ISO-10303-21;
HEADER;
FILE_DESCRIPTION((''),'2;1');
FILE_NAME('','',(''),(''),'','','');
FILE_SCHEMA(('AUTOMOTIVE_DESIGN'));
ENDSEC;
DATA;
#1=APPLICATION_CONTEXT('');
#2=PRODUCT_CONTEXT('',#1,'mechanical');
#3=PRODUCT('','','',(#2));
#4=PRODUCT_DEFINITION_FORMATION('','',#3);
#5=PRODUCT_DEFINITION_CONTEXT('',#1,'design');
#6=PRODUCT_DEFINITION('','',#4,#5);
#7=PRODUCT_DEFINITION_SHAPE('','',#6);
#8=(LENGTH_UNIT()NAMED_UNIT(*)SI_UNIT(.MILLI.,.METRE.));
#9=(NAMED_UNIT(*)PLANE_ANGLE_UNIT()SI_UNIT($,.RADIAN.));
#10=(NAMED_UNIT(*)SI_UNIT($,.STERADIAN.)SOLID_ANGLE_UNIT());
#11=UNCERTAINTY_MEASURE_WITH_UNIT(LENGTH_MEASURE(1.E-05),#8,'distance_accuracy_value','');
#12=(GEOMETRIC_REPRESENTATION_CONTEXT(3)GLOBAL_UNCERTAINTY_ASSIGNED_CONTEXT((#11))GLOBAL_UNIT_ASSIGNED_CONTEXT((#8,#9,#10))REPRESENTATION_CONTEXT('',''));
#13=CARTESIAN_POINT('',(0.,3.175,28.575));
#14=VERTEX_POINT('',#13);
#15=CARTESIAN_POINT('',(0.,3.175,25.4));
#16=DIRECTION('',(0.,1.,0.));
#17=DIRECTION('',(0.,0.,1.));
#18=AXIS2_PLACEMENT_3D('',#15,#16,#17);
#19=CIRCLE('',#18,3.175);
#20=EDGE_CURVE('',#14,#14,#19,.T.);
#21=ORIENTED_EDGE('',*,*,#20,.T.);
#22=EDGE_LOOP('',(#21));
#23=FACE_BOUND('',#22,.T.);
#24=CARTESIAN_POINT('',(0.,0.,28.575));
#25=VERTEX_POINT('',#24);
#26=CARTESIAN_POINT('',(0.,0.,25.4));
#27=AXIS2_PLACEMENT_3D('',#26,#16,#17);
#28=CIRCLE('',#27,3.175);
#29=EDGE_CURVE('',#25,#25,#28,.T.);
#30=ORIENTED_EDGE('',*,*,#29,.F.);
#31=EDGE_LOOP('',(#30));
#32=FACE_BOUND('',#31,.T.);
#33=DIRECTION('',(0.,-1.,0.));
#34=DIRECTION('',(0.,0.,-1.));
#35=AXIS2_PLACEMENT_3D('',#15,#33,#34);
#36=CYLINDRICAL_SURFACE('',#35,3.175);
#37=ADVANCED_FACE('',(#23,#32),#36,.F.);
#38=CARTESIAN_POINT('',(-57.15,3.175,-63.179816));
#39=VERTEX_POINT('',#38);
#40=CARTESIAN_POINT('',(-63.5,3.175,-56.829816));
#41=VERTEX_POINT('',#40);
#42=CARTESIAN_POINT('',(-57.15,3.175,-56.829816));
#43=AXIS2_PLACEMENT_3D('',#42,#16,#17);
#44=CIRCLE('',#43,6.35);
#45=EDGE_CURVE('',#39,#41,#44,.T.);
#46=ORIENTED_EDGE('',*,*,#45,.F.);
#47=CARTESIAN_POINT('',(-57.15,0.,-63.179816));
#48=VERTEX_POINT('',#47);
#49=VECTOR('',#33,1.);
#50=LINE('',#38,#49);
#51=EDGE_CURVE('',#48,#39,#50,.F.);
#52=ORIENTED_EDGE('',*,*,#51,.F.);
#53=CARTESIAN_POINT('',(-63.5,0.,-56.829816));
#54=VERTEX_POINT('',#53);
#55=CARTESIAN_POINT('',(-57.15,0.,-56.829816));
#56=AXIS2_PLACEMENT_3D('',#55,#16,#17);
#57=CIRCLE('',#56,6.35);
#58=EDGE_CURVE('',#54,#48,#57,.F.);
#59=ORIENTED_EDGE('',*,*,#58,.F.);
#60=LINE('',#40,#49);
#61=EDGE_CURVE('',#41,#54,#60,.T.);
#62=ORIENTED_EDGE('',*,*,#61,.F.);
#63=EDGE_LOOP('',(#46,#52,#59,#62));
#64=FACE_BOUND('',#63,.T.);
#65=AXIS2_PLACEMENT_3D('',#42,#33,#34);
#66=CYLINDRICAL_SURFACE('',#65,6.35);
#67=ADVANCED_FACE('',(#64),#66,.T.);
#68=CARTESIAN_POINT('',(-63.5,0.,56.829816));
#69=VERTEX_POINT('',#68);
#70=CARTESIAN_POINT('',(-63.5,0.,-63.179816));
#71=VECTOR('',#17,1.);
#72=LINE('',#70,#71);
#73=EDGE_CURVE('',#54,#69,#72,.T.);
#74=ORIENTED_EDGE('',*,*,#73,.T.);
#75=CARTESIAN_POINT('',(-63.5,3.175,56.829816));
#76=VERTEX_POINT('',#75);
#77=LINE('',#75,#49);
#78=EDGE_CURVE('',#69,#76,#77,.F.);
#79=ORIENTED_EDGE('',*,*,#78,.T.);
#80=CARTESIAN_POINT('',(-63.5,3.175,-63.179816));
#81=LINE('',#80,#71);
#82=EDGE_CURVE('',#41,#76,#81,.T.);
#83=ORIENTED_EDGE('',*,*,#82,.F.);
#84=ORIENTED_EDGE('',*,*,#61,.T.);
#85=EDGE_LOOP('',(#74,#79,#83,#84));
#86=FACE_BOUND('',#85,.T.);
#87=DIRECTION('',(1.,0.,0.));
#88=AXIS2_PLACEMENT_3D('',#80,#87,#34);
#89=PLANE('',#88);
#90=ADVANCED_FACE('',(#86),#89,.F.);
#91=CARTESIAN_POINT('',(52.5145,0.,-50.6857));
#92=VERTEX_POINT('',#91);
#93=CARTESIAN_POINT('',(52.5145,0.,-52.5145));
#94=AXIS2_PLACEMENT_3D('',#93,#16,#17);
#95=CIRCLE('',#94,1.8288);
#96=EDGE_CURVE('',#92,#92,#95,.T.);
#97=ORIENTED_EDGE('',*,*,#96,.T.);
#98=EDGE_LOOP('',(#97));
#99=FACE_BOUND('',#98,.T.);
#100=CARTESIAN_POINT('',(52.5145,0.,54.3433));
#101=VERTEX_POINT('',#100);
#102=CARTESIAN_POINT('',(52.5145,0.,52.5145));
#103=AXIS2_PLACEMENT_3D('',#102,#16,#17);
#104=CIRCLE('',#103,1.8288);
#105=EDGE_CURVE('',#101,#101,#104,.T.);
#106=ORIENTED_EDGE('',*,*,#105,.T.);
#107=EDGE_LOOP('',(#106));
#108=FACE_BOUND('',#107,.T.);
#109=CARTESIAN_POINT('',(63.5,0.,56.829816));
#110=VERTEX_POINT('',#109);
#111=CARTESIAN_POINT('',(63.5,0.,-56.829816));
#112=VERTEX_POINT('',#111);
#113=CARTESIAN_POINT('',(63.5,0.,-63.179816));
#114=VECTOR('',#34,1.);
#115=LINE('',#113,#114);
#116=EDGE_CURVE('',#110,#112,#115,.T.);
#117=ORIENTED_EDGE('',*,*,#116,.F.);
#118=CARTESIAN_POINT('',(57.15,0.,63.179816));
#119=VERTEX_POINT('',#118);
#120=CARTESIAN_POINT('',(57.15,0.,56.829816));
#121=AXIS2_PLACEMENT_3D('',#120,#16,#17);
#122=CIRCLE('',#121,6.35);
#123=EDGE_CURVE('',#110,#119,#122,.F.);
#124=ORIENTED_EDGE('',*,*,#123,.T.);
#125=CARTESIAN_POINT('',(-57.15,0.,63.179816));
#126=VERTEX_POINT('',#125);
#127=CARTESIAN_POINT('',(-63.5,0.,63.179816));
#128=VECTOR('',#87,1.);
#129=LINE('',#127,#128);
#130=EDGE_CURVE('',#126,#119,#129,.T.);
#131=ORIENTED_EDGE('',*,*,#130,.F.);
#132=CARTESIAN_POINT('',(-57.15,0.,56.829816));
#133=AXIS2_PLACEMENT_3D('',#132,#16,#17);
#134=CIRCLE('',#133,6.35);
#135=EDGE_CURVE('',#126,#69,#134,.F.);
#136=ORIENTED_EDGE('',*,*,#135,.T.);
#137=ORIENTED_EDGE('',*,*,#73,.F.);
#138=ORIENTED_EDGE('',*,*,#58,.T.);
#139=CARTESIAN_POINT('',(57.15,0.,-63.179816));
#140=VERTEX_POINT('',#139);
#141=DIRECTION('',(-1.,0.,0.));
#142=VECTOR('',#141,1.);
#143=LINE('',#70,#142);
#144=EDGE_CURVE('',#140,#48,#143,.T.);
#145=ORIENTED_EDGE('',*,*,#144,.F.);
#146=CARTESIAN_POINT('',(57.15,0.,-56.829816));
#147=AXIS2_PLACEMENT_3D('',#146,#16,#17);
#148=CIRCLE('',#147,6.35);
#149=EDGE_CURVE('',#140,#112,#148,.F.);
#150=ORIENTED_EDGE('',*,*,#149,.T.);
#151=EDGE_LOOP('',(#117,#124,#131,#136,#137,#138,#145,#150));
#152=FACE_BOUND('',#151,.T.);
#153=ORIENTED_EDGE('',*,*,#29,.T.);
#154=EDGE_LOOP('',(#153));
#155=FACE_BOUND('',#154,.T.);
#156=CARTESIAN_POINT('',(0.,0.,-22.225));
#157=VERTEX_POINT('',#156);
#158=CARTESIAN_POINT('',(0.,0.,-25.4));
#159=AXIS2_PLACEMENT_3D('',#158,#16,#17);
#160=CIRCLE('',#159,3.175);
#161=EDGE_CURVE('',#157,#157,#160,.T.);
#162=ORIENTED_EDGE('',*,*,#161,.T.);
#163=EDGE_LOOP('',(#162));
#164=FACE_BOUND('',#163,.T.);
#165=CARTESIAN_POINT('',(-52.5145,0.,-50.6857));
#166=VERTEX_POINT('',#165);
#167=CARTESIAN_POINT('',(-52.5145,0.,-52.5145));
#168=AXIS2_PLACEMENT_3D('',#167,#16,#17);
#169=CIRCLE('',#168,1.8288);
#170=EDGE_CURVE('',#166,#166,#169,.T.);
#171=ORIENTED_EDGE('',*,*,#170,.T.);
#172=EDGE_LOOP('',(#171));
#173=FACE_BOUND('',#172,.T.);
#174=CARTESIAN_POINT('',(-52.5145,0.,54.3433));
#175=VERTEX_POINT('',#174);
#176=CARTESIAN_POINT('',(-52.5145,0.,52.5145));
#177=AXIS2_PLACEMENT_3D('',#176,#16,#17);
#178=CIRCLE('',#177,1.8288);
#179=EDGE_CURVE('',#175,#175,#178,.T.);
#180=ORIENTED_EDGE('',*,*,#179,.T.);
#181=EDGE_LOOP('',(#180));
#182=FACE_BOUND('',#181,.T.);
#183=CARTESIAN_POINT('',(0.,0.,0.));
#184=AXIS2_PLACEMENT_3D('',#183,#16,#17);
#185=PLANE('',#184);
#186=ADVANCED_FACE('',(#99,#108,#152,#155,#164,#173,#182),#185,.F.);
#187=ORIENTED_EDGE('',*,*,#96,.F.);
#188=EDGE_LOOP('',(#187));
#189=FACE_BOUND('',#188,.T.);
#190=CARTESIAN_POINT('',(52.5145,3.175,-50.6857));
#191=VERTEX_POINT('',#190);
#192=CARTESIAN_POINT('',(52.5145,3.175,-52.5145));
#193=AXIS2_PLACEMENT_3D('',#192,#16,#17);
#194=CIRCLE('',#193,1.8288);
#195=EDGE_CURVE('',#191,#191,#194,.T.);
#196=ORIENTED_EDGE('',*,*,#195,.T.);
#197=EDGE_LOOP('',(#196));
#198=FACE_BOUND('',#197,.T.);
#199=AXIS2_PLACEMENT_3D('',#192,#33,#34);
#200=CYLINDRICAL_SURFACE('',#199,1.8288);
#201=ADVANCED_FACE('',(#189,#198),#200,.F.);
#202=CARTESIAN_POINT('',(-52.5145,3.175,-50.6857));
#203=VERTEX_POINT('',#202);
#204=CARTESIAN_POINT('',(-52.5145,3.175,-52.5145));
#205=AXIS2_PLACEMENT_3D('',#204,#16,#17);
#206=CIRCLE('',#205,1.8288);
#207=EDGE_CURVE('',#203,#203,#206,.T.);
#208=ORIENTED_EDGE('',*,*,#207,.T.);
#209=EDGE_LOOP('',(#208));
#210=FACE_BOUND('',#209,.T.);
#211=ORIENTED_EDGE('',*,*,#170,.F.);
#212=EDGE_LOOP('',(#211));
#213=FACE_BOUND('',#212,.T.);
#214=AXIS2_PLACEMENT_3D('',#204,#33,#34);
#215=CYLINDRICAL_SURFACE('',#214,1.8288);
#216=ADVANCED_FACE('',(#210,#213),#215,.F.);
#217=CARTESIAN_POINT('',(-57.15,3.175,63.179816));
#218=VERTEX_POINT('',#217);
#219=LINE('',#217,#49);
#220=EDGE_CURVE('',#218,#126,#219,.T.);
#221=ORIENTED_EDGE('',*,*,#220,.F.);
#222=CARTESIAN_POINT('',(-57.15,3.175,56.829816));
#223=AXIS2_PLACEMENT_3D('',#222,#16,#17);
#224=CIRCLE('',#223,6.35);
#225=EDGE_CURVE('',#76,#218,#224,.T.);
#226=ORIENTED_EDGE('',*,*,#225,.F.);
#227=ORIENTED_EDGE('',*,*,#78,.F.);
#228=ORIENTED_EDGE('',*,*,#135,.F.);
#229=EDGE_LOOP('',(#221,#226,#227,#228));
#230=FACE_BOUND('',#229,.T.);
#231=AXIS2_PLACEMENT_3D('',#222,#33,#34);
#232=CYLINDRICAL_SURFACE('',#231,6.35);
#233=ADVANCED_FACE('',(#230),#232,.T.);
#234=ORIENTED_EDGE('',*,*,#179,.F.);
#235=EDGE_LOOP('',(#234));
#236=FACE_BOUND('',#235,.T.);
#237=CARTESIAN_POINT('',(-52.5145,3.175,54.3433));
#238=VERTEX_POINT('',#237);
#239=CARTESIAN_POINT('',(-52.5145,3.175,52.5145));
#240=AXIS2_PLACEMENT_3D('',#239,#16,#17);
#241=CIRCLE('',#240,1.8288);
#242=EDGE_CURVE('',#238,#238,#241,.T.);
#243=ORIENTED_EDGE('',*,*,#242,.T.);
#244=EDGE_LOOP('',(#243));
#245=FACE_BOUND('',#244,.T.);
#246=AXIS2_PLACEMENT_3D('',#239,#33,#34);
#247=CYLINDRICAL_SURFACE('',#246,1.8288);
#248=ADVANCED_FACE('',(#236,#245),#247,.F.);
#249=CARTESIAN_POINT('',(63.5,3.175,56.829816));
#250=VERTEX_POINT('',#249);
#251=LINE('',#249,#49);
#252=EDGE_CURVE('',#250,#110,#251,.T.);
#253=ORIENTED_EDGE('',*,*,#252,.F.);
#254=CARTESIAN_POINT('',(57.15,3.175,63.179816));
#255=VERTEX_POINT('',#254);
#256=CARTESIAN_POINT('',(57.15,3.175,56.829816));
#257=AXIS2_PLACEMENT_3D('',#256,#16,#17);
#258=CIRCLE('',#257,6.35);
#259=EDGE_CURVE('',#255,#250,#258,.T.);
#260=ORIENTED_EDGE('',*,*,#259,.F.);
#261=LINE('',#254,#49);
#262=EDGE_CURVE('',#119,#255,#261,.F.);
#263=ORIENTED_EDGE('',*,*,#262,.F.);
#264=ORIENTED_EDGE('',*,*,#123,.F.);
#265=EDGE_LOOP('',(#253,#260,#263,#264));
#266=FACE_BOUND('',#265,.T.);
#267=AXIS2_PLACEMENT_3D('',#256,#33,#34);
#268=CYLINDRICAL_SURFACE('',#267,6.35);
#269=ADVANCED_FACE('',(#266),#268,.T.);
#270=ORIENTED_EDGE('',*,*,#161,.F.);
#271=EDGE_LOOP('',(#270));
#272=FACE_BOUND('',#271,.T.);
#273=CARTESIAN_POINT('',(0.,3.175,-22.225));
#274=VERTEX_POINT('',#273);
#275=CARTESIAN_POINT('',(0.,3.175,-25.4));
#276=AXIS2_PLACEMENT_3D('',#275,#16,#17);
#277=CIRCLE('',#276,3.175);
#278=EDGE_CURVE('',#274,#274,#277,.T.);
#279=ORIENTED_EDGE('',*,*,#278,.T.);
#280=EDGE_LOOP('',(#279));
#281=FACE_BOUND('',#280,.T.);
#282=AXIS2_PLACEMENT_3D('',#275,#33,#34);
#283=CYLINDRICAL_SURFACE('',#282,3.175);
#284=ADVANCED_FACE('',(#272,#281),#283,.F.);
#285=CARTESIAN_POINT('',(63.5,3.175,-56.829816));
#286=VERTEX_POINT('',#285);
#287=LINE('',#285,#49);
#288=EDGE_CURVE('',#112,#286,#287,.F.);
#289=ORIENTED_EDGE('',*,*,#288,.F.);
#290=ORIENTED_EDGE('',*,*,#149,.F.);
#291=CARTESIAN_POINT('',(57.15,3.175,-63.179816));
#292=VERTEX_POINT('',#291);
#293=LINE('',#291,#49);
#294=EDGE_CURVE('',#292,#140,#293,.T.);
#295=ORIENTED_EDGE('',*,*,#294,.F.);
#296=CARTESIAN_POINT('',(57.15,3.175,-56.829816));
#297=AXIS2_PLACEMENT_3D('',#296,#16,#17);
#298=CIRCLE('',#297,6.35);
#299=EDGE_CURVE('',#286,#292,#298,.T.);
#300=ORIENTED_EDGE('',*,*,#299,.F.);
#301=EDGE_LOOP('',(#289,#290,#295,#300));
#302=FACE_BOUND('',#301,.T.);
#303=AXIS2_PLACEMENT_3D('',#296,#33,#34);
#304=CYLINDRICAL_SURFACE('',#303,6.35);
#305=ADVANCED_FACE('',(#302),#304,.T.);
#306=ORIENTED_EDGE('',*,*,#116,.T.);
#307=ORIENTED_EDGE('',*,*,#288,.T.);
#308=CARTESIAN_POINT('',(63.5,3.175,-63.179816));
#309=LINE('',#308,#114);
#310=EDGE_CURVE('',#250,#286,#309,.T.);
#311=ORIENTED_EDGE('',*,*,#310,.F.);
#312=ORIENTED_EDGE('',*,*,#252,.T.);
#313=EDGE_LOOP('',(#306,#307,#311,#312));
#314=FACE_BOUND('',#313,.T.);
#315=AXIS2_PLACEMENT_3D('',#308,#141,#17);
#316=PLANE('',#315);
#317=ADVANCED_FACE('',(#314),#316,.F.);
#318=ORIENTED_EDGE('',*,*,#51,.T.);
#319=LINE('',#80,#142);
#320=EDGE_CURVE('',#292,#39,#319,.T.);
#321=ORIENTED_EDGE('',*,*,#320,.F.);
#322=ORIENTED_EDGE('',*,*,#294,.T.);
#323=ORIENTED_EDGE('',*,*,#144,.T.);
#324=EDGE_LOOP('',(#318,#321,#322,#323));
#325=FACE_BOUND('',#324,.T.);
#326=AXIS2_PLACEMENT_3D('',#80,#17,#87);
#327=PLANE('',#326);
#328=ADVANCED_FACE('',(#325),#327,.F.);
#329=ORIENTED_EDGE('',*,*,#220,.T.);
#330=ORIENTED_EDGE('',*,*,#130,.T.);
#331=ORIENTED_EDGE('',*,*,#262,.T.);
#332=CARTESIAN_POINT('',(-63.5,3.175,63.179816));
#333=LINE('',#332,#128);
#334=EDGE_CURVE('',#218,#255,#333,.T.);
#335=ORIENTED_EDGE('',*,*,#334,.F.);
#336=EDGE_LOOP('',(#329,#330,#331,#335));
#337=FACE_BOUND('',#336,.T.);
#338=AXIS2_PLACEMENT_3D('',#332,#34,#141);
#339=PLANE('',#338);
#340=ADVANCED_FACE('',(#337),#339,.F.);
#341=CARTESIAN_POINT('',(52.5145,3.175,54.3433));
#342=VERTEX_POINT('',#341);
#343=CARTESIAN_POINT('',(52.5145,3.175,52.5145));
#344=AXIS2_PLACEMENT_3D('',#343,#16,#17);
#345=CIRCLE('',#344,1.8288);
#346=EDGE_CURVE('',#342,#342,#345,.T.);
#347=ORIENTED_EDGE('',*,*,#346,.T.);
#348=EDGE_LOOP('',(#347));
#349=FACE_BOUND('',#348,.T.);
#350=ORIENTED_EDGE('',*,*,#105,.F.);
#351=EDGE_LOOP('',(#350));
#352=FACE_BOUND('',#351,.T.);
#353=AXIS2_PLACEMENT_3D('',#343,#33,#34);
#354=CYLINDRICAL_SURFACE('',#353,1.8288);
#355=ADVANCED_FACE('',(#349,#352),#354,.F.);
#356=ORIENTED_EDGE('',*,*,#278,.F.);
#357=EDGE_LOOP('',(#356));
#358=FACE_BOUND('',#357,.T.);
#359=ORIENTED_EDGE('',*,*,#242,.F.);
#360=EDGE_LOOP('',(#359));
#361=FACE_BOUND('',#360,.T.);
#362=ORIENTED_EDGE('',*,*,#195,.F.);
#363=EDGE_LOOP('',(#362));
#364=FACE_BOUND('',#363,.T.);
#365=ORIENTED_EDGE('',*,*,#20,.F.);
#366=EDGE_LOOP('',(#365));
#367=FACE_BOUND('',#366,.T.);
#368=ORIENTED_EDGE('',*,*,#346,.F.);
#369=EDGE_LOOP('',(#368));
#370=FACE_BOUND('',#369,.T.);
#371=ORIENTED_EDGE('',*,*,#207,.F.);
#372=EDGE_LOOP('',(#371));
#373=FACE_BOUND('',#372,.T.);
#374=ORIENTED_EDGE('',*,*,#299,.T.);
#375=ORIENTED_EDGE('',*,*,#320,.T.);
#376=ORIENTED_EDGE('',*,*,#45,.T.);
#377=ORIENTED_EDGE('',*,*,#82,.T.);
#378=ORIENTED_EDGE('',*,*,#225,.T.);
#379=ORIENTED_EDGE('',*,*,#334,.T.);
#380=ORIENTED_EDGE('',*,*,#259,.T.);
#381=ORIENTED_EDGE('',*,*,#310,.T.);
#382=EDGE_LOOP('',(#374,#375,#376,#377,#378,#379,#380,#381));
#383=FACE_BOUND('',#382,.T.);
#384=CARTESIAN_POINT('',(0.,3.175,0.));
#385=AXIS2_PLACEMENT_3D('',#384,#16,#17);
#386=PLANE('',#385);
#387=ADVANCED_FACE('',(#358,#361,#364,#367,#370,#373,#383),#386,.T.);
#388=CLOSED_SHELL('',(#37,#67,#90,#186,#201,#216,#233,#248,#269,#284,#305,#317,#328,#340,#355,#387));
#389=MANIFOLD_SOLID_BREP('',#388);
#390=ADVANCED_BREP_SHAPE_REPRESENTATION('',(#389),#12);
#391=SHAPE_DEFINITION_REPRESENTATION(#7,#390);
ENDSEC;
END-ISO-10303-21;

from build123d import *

# Parameters (mm, degrees)
SKETCH1_W           = 127
SKETCH1_H           = 126.359631958
SKETCH1_R           = 1.8288
SKETCH1_R_2         = 3.175
BOSS_EXTRUDE1_DEPTH = 3.175
FILLET1_R           = 6.35


with BuildPart() as part:
    # Sketch1 → Boss-Extrude1 (new body)
    with BuildSketch(Plane(origin=(0, 0, 0), x_dir=(1, 0, 0), z_dir=(0, 1, 0))):
        Rectangle(SKETCH1_W, SKETCH1_H)
        with Locations(Location((-52.5145, 52.5145, 0), (0, 0, 270))):
            Circle(SKETCH1_R, mode=Mode.SUBTRACT)
        with Locations(Location((52.5145, 52.5145, 0), (0, 0, 270))):
            Circle(SKETCH1_R, mode=Mode.SUBTRACT)
        with Locations(Location((52.5145, -52.5145, 0), (0, 0, 270))):
            Circle(SKETCH1_R, mode=Mode.SUBTRACT)
        with Locations(Location((-52.5145, -52.5145, 0), (0, 0, 270))):
            Circle(SKETCH1_R, mode=Mode.SUBTRACT)
        with Locations(Location((0, 25.4, 0), (0, 0, 270))):
            Circle(SKETCH1_R_2, mode=Mode.SUBTRACT)
        with Locations(Location((0, -25.4, 0), (0, 0, 270))):
            Circle(SKETCH1_R_2, mode=Mode.SUBTRACT)
    extrude(amount=BOSS_EXTRUDE1_DEPTH)

    # Fillet1
    fillet1_edges = [part.edges().sort_by_distance(p)[0] for p in [
        (63.5, 1.5875, 63.179815979),
        (-63.5, 1.5875, 63.179815979),
        (-63.5, 1.5875, -63.179815979),
        (63.5, 1.5875, -63.179815979),
    ]]
    fillet(fillet1_edges, radius=FILLET1_R)


solid = part.part
